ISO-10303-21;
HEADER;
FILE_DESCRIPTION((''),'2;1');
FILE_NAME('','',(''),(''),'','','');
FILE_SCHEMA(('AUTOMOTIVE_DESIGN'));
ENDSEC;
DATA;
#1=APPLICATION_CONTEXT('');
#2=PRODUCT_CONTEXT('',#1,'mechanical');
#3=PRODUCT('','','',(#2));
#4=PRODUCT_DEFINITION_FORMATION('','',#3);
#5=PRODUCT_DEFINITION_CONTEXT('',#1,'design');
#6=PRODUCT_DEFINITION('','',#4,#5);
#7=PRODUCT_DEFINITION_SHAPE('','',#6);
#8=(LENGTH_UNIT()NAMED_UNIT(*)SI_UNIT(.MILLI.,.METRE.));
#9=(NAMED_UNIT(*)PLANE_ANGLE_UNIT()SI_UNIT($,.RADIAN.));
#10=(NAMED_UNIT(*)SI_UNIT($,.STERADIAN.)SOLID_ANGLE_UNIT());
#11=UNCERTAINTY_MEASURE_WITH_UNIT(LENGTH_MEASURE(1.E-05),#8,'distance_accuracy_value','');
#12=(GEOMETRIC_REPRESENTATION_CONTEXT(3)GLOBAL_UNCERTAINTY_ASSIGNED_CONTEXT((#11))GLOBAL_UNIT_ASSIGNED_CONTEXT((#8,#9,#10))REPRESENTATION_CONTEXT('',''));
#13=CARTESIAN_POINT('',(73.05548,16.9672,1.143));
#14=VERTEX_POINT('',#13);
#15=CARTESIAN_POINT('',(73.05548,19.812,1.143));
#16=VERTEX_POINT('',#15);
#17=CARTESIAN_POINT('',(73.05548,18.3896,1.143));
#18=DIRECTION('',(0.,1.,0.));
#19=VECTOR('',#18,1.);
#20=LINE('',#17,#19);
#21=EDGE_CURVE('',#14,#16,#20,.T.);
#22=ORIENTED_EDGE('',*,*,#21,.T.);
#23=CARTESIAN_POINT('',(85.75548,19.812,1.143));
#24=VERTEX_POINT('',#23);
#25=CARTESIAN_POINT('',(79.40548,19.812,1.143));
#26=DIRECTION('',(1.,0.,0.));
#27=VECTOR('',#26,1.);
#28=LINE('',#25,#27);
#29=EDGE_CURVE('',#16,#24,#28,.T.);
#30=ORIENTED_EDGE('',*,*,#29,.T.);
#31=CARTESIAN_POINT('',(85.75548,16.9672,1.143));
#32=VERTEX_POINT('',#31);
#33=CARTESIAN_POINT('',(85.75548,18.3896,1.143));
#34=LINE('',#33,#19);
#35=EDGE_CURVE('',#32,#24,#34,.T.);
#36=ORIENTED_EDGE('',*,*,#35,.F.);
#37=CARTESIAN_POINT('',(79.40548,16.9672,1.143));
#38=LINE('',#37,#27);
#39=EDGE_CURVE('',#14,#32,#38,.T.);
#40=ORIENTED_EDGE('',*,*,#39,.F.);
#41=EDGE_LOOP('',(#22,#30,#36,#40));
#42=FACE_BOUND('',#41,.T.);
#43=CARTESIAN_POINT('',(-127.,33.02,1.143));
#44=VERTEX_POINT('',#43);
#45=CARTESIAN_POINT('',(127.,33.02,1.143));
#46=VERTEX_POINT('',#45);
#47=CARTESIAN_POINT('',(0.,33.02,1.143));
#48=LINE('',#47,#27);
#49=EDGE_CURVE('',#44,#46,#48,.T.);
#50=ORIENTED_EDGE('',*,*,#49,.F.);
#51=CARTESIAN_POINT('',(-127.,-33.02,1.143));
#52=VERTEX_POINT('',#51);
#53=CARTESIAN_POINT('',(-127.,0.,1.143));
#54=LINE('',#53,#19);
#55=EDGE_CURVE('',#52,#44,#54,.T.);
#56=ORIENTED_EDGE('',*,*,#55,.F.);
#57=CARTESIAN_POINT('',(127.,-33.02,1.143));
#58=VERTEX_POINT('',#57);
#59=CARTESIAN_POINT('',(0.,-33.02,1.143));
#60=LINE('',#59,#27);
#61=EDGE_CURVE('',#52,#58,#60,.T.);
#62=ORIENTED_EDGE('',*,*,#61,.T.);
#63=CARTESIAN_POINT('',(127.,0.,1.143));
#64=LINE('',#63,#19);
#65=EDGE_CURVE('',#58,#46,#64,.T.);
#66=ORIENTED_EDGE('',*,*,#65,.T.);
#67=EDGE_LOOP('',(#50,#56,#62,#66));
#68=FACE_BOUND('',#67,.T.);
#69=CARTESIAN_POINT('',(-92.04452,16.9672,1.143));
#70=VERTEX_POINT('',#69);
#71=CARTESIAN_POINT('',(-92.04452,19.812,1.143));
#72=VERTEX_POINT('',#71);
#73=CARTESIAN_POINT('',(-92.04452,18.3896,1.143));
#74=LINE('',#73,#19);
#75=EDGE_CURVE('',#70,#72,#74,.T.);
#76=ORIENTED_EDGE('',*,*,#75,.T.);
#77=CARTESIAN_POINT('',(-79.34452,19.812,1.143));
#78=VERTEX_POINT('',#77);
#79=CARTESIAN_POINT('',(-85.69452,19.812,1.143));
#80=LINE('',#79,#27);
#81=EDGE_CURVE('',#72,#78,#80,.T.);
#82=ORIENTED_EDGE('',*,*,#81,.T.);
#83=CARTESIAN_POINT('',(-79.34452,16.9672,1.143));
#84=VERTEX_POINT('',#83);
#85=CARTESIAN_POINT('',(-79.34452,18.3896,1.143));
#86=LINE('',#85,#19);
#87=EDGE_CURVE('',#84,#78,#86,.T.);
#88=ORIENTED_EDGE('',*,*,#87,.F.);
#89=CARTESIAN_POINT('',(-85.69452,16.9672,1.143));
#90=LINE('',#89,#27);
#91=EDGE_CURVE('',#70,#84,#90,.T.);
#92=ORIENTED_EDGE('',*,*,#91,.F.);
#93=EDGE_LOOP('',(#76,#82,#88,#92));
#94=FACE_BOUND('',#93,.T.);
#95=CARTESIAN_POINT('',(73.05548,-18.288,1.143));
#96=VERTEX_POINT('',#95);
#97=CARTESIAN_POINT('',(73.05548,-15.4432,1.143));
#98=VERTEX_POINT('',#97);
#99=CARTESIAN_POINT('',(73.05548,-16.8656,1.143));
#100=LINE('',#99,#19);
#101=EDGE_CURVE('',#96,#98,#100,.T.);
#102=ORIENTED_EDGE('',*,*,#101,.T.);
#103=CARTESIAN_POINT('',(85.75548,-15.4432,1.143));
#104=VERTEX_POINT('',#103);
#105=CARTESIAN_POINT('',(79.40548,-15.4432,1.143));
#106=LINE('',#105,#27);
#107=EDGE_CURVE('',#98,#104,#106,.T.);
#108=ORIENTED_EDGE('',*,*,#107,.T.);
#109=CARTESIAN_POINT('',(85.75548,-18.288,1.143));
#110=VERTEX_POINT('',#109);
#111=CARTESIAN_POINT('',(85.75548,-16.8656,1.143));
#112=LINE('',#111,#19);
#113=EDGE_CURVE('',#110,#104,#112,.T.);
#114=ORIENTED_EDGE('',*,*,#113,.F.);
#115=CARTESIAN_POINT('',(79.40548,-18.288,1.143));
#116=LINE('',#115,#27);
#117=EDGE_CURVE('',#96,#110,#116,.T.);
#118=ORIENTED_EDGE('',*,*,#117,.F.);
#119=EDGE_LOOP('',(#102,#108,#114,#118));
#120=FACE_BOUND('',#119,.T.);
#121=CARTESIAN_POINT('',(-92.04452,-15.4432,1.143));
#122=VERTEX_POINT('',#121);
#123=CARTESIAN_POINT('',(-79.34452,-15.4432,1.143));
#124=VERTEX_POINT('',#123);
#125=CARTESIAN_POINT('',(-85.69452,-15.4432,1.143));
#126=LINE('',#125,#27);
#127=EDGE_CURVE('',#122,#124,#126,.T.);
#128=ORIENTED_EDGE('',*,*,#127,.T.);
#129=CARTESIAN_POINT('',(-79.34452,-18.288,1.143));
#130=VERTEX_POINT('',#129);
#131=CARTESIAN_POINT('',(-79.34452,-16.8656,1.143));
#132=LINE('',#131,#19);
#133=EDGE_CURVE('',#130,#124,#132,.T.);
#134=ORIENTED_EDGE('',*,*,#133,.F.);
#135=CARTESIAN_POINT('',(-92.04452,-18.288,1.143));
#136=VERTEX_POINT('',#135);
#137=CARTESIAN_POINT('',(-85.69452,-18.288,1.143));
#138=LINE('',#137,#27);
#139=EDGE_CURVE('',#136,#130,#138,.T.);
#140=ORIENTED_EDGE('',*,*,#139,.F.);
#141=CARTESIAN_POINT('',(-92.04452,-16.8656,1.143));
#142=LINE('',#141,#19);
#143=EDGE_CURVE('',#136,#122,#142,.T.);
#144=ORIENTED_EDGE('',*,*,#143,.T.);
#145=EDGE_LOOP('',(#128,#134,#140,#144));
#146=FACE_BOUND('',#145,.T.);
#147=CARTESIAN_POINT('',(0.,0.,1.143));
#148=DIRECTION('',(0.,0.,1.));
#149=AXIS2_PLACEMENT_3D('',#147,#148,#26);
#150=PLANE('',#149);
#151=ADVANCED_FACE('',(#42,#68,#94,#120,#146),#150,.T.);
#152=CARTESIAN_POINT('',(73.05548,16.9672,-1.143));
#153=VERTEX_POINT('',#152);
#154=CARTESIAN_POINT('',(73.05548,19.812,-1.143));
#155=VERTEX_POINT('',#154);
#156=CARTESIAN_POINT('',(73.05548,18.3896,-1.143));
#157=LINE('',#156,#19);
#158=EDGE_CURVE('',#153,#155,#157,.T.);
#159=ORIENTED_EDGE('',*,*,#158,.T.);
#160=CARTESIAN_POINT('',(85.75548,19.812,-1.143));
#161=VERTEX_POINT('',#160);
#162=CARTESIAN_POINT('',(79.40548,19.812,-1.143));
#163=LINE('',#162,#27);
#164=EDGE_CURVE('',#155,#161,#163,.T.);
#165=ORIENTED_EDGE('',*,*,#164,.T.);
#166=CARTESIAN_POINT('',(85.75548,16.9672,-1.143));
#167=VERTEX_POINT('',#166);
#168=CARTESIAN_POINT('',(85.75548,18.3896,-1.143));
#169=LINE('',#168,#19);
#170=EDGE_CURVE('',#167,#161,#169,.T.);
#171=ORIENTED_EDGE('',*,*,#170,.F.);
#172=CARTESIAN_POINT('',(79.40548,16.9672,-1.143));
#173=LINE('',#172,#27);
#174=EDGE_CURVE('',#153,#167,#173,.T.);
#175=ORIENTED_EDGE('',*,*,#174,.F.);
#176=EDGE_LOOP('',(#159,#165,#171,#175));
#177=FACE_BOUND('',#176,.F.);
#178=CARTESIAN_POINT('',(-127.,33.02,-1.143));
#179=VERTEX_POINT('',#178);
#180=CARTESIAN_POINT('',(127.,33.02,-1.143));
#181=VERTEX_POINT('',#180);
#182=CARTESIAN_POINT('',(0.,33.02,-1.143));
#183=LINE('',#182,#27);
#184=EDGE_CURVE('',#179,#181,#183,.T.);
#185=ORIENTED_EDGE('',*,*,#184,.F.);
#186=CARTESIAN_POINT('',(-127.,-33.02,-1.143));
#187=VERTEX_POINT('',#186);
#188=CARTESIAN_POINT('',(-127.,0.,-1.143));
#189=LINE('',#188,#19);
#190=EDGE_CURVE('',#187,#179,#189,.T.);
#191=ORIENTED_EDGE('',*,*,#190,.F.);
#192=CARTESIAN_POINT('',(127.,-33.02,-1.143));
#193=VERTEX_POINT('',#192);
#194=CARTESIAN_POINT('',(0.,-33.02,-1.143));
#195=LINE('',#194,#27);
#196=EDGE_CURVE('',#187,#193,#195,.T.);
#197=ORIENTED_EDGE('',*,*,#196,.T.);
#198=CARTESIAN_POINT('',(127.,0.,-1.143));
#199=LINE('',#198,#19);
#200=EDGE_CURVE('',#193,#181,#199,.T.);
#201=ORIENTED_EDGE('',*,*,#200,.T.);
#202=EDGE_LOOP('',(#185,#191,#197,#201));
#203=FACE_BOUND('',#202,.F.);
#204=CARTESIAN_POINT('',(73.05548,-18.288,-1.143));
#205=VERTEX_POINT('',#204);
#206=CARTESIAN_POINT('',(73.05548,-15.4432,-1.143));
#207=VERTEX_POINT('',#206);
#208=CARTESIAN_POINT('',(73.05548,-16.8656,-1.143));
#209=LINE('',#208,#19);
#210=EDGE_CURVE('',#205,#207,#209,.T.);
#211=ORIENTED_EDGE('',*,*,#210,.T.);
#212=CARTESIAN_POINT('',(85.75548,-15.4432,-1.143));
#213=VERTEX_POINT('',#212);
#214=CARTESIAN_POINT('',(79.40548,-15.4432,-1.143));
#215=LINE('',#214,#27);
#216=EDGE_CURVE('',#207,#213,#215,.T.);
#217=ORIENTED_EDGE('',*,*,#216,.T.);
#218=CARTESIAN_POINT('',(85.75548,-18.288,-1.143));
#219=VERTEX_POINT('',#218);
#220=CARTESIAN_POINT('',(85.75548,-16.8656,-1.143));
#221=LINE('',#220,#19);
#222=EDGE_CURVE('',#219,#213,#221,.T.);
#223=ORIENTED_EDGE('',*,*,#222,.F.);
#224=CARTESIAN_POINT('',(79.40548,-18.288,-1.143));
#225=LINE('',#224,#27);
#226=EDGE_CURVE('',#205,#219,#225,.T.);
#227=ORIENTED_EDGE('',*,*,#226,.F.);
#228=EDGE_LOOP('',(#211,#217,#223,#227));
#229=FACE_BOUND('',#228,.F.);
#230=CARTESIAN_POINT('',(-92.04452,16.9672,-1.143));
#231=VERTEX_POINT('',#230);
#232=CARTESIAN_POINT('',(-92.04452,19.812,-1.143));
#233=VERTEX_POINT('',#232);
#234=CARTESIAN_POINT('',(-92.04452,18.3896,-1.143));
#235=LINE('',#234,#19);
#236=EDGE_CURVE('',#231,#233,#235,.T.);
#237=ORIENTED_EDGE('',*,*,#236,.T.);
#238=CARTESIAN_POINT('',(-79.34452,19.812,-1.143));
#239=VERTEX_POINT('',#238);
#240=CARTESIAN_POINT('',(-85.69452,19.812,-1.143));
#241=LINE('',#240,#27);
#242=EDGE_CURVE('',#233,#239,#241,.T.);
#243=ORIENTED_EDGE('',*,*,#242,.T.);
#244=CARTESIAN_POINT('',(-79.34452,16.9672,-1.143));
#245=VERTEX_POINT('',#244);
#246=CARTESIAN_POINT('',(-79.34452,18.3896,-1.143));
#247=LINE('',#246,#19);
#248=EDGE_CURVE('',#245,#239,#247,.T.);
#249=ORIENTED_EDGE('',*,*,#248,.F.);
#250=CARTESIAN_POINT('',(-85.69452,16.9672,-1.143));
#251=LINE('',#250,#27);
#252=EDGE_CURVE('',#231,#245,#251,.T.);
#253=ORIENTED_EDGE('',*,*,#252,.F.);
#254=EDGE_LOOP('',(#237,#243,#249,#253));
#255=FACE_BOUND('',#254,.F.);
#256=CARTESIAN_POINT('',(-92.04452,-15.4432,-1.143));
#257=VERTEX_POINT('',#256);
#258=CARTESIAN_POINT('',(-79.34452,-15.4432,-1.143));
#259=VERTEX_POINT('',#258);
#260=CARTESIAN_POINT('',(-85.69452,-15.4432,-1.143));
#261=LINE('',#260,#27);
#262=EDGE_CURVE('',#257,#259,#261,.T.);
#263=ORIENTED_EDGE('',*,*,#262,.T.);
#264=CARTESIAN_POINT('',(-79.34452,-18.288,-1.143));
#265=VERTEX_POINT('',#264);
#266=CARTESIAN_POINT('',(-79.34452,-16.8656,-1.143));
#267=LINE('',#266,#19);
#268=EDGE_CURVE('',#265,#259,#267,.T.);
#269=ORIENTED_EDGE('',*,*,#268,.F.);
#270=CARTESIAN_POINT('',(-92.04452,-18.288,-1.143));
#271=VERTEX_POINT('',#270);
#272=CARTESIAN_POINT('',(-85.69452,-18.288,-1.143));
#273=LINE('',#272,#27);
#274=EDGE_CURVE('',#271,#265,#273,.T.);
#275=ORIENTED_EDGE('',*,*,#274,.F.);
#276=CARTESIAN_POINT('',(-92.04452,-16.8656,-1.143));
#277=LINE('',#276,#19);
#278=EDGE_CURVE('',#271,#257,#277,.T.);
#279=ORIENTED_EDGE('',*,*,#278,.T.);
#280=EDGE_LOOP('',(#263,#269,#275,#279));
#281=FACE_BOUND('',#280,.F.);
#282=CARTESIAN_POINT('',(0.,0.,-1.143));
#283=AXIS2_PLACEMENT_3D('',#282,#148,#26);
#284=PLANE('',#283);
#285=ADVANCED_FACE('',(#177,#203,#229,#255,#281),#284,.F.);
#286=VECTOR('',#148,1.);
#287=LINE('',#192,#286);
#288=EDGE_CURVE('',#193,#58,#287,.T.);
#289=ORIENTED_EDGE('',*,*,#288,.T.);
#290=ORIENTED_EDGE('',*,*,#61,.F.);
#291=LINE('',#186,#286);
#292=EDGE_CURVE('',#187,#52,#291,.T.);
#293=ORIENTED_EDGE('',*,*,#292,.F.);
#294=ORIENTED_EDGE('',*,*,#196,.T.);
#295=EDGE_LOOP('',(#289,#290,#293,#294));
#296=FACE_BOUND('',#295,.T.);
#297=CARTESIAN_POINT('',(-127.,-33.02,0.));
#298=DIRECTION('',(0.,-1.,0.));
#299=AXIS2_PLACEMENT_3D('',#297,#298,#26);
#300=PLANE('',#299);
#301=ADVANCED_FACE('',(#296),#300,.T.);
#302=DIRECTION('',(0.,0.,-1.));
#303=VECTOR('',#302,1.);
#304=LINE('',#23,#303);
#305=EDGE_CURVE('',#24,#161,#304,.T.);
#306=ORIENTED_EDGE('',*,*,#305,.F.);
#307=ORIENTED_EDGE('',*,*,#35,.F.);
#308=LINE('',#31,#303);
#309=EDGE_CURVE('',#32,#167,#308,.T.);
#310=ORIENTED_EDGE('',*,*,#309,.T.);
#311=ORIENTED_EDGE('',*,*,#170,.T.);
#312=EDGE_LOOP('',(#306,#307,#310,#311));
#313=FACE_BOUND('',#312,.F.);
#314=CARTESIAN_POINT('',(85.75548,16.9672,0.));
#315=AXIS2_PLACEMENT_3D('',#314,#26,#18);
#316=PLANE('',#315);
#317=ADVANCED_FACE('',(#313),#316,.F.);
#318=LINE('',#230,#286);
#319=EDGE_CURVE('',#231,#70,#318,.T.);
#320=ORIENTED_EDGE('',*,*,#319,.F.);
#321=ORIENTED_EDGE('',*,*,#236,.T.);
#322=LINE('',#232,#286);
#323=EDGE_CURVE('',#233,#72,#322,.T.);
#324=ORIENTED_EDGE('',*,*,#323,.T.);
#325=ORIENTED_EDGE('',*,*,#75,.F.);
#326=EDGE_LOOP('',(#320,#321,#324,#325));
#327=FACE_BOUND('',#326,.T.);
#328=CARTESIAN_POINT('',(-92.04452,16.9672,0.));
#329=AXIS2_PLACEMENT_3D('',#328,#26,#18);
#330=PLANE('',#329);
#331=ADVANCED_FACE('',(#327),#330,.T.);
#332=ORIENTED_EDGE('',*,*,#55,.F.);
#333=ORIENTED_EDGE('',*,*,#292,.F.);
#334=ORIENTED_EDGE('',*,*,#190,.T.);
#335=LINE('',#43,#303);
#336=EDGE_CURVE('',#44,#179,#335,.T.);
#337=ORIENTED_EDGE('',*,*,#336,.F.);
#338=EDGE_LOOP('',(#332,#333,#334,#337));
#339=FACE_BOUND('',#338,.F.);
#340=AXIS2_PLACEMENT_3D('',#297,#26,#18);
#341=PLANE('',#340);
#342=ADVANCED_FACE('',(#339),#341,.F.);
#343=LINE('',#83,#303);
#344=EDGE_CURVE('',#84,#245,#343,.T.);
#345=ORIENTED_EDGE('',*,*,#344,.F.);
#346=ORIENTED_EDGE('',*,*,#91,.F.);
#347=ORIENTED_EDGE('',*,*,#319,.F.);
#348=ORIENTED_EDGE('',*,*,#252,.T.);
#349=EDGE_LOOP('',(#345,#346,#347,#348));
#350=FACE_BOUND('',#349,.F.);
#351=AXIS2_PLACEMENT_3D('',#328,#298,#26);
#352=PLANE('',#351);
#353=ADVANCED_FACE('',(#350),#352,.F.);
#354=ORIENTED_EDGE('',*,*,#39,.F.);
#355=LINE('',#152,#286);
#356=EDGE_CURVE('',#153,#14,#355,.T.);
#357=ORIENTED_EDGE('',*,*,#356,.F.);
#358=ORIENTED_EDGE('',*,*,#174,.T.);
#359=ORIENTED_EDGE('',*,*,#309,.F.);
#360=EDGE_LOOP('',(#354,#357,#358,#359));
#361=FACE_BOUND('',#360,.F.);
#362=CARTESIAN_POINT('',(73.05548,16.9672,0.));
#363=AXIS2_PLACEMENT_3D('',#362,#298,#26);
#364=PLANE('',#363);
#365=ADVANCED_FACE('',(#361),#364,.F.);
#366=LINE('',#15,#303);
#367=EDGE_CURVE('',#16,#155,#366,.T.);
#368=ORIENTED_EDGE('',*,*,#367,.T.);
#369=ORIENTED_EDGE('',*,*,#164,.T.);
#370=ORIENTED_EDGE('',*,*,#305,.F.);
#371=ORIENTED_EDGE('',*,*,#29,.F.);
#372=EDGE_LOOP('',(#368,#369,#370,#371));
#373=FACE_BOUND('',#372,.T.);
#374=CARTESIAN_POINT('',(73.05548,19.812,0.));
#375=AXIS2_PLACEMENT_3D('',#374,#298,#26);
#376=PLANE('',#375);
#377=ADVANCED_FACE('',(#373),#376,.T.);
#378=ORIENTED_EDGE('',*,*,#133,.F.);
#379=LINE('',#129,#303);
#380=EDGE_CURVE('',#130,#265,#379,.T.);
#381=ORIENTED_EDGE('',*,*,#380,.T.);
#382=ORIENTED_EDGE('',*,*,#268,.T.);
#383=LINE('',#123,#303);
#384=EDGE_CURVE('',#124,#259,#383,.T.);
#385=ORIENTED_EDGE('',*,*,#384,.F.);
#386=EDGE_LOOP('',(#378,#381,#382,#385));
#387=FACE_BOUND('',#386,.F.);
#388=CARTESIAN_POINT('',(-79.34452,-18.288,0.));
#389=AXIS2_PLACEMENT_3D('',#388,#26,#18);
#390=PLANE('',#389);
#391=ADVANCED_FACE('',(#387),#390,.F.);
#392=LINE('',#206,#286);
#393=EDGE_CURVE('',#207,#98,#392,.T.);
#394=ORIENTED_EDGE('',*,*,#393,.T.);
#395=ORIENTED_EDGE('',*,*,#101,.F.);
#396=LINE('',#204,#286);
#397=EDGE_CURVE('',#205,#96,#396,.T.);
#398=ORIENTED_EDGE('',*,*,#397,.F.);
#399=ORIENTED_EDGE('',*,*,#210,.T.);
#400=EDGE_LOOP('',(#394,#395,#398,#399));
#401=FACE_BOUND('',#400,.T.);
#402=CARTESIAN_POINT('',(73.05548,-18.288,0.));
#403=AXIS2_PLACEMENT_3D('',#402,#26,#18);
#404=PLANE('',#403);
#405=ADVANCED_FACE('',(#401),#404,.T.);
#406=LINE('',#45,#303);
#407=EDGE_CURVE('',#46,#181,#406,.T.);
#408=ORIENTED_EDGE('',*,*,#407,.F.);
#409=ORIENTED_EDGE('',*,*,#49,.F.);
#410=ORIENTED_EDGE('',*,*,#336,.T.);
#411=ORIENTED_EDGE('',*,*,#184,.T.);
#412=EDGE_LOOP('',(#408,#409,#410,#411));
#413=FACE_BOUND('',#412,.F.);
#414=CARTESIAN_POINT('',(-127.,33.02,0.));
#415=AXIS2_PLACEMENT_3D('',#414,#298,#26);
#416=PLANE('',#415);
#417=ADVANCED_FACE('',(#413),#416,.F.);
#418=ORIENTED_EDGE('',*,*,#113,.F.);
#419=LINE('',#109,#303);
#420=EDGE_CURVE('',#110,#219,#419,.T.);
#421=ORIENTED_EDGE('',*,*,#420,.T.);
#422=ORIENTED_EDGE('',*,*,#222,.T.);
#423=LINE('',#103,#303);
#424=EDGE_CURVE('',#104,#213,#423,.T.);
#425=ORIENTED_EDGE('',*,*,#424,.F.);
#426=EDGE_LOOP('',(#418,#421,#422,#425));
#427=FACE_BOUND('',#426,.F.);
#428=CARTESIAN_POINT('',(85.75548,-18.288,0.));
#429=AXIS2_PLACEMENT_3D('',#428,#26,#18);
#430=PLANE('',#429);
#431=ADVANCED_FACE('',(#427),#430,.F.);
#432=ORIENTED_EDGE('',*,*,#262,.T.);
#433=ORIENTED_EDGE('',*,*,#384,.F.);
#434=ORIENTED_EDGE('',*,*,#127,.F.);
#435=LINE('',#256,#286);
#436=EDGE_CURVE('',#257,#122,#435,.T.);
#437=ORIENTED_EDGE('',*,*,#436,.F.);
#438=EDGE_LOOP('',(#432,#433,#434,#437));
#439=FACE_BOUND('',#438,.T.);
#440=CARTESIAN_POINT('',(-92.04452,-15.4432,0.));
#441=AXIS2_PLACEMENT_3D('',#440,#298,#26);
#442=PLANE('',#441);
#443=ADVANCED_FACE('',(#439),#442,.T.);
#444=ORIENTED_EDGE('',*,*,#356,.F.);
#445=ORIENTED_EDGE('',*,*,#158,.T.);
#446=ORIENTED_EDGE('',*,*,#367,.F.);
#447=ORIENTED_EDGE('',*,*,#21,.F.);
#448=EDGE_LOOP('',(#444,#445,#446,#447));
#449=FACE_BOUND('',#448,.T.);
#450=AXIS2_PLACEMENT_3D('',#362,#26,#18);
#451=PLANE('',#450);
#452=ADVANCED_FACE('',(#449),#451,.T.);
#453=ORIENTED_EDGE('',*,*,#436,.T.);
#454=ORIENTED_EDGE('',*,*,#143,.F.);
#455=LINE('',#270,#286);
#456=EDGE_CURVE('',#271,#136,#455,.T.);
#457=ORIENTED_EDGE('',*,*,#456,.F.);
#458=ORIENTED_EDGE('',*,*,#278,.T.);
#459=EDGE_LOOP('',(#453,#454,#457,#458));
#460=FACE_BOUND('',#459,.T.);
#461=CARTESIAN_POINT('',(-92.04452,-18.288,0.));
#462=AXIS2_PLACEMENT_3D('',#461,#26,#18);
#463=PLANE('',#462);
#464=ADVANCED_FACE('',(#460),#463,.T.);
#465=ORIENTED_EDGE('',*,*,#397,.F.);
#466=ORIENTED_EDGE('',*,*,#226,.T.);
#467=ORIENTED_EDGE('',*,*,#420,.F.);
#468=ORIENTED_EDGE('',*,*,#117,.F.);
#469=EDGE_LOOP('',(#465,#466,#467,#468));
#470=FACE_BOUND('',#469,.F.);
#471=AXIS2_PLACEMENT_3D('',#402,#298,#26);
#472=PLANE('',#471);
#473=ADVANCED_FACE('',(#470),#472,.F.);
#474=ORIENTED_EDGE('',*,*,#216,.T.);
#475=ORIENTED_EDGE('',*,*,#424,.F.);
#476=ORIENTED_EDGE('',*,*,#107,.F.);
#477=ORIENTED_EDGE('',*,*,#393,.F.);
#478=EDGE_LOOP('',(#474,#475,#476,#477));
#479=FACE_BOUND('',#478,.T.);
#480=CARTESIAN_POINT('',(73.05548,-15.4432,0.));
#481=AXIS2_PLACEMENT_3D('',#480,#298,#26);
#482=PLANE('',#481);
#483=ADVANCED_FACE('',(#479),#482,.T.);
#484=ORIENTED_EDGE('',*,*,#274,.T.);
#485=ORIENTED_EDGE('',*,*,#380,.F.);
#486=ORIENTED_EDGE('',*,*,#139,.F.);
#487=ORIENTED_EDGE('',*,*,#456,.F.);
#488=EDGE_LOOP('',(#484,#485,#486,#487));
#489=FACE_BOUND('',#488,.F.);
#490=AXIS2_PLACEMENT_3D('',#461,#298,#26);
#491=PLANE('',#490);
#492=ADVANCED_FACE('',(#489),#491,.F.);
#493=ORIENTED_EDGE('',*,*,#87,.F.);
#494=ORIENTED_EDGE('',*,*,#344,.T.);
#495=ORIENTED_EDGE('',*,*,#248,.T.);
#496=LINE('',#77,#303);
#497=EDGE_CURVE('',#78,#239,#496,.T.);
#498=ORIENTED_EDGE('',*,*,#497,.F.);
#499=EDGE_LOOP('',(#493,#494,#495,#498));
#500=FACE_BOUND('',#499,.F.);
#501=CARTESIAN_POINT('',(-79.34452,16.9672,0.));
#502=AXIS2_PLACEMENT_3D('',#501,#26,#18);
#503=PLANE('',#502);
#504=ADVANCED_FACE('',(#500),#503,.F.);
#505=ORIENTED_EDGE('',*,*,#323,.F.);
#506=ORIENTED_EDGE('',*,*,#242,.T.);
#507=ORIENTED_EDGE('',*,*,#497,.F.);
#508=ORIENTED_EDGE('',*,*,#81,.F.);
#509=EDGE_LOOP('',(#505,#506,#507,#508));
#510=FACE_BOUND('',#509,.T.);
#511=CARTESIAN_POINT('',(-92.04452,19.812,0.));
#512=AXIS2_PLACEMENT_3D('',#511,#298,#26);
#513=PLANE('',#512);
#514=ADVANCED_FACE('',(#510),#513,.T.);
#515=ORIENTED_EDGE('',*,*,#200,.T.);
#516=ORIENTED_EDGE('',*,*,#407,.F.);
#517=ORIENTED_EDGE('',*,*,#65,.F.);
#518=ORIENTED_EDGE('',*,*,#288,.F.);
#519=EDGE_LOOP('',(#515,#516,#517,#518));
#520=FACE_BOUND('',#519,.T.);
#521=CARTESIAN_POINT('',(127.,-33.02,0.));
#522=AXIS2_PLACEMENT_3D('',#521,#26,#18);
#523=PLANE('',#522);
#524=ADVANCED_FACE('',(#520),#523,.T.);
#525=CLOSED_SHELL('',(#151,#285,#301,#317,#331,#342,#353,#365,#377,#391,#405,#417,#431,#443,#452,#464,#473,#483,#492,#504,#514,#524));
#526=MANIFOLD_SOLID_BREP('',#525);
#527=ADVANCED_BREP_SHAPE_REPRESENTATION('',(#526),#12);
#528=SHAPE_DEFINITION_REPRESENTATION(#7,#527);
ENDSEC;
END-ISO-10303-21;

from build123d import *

# Parameters (mm, degrees)
F0_W     = 254
F0_H     = 66.04
F0_W_2   = 12.7
F0_H_2   = 2.8448
F1_DEPTH = 1.143


with BuildPart() as f1:
    # F0 (on Top) → F1 (new body, symmetric)
    with BuildSketch(Plane.XY):
        Rectangle(F0_W, F0_H)
        with Locations((-85.69452, -16.8656)):
            Rectangle(F0_W_2, F0_H_2, mode=Mode.SUBTRACT)
        with Locations((79.40548, -16.8656)):
            Rectangle(F0_W_2, F0_H_2, mode=Mode.SUBTRACT)
        with Locations((-85.69452, 18.3896)):
            Rectangle(F0_W_2, F0_H_2, mode=Mode.SUBTRACT)
        with Locations((79.40548, 18.3896)):
            Rectangle(F0_W_2, F0_H_2, mode=Mode.SUBTRACT)
    extrude(amount=F1_DEPTH, both=True)


solid = f1.part
